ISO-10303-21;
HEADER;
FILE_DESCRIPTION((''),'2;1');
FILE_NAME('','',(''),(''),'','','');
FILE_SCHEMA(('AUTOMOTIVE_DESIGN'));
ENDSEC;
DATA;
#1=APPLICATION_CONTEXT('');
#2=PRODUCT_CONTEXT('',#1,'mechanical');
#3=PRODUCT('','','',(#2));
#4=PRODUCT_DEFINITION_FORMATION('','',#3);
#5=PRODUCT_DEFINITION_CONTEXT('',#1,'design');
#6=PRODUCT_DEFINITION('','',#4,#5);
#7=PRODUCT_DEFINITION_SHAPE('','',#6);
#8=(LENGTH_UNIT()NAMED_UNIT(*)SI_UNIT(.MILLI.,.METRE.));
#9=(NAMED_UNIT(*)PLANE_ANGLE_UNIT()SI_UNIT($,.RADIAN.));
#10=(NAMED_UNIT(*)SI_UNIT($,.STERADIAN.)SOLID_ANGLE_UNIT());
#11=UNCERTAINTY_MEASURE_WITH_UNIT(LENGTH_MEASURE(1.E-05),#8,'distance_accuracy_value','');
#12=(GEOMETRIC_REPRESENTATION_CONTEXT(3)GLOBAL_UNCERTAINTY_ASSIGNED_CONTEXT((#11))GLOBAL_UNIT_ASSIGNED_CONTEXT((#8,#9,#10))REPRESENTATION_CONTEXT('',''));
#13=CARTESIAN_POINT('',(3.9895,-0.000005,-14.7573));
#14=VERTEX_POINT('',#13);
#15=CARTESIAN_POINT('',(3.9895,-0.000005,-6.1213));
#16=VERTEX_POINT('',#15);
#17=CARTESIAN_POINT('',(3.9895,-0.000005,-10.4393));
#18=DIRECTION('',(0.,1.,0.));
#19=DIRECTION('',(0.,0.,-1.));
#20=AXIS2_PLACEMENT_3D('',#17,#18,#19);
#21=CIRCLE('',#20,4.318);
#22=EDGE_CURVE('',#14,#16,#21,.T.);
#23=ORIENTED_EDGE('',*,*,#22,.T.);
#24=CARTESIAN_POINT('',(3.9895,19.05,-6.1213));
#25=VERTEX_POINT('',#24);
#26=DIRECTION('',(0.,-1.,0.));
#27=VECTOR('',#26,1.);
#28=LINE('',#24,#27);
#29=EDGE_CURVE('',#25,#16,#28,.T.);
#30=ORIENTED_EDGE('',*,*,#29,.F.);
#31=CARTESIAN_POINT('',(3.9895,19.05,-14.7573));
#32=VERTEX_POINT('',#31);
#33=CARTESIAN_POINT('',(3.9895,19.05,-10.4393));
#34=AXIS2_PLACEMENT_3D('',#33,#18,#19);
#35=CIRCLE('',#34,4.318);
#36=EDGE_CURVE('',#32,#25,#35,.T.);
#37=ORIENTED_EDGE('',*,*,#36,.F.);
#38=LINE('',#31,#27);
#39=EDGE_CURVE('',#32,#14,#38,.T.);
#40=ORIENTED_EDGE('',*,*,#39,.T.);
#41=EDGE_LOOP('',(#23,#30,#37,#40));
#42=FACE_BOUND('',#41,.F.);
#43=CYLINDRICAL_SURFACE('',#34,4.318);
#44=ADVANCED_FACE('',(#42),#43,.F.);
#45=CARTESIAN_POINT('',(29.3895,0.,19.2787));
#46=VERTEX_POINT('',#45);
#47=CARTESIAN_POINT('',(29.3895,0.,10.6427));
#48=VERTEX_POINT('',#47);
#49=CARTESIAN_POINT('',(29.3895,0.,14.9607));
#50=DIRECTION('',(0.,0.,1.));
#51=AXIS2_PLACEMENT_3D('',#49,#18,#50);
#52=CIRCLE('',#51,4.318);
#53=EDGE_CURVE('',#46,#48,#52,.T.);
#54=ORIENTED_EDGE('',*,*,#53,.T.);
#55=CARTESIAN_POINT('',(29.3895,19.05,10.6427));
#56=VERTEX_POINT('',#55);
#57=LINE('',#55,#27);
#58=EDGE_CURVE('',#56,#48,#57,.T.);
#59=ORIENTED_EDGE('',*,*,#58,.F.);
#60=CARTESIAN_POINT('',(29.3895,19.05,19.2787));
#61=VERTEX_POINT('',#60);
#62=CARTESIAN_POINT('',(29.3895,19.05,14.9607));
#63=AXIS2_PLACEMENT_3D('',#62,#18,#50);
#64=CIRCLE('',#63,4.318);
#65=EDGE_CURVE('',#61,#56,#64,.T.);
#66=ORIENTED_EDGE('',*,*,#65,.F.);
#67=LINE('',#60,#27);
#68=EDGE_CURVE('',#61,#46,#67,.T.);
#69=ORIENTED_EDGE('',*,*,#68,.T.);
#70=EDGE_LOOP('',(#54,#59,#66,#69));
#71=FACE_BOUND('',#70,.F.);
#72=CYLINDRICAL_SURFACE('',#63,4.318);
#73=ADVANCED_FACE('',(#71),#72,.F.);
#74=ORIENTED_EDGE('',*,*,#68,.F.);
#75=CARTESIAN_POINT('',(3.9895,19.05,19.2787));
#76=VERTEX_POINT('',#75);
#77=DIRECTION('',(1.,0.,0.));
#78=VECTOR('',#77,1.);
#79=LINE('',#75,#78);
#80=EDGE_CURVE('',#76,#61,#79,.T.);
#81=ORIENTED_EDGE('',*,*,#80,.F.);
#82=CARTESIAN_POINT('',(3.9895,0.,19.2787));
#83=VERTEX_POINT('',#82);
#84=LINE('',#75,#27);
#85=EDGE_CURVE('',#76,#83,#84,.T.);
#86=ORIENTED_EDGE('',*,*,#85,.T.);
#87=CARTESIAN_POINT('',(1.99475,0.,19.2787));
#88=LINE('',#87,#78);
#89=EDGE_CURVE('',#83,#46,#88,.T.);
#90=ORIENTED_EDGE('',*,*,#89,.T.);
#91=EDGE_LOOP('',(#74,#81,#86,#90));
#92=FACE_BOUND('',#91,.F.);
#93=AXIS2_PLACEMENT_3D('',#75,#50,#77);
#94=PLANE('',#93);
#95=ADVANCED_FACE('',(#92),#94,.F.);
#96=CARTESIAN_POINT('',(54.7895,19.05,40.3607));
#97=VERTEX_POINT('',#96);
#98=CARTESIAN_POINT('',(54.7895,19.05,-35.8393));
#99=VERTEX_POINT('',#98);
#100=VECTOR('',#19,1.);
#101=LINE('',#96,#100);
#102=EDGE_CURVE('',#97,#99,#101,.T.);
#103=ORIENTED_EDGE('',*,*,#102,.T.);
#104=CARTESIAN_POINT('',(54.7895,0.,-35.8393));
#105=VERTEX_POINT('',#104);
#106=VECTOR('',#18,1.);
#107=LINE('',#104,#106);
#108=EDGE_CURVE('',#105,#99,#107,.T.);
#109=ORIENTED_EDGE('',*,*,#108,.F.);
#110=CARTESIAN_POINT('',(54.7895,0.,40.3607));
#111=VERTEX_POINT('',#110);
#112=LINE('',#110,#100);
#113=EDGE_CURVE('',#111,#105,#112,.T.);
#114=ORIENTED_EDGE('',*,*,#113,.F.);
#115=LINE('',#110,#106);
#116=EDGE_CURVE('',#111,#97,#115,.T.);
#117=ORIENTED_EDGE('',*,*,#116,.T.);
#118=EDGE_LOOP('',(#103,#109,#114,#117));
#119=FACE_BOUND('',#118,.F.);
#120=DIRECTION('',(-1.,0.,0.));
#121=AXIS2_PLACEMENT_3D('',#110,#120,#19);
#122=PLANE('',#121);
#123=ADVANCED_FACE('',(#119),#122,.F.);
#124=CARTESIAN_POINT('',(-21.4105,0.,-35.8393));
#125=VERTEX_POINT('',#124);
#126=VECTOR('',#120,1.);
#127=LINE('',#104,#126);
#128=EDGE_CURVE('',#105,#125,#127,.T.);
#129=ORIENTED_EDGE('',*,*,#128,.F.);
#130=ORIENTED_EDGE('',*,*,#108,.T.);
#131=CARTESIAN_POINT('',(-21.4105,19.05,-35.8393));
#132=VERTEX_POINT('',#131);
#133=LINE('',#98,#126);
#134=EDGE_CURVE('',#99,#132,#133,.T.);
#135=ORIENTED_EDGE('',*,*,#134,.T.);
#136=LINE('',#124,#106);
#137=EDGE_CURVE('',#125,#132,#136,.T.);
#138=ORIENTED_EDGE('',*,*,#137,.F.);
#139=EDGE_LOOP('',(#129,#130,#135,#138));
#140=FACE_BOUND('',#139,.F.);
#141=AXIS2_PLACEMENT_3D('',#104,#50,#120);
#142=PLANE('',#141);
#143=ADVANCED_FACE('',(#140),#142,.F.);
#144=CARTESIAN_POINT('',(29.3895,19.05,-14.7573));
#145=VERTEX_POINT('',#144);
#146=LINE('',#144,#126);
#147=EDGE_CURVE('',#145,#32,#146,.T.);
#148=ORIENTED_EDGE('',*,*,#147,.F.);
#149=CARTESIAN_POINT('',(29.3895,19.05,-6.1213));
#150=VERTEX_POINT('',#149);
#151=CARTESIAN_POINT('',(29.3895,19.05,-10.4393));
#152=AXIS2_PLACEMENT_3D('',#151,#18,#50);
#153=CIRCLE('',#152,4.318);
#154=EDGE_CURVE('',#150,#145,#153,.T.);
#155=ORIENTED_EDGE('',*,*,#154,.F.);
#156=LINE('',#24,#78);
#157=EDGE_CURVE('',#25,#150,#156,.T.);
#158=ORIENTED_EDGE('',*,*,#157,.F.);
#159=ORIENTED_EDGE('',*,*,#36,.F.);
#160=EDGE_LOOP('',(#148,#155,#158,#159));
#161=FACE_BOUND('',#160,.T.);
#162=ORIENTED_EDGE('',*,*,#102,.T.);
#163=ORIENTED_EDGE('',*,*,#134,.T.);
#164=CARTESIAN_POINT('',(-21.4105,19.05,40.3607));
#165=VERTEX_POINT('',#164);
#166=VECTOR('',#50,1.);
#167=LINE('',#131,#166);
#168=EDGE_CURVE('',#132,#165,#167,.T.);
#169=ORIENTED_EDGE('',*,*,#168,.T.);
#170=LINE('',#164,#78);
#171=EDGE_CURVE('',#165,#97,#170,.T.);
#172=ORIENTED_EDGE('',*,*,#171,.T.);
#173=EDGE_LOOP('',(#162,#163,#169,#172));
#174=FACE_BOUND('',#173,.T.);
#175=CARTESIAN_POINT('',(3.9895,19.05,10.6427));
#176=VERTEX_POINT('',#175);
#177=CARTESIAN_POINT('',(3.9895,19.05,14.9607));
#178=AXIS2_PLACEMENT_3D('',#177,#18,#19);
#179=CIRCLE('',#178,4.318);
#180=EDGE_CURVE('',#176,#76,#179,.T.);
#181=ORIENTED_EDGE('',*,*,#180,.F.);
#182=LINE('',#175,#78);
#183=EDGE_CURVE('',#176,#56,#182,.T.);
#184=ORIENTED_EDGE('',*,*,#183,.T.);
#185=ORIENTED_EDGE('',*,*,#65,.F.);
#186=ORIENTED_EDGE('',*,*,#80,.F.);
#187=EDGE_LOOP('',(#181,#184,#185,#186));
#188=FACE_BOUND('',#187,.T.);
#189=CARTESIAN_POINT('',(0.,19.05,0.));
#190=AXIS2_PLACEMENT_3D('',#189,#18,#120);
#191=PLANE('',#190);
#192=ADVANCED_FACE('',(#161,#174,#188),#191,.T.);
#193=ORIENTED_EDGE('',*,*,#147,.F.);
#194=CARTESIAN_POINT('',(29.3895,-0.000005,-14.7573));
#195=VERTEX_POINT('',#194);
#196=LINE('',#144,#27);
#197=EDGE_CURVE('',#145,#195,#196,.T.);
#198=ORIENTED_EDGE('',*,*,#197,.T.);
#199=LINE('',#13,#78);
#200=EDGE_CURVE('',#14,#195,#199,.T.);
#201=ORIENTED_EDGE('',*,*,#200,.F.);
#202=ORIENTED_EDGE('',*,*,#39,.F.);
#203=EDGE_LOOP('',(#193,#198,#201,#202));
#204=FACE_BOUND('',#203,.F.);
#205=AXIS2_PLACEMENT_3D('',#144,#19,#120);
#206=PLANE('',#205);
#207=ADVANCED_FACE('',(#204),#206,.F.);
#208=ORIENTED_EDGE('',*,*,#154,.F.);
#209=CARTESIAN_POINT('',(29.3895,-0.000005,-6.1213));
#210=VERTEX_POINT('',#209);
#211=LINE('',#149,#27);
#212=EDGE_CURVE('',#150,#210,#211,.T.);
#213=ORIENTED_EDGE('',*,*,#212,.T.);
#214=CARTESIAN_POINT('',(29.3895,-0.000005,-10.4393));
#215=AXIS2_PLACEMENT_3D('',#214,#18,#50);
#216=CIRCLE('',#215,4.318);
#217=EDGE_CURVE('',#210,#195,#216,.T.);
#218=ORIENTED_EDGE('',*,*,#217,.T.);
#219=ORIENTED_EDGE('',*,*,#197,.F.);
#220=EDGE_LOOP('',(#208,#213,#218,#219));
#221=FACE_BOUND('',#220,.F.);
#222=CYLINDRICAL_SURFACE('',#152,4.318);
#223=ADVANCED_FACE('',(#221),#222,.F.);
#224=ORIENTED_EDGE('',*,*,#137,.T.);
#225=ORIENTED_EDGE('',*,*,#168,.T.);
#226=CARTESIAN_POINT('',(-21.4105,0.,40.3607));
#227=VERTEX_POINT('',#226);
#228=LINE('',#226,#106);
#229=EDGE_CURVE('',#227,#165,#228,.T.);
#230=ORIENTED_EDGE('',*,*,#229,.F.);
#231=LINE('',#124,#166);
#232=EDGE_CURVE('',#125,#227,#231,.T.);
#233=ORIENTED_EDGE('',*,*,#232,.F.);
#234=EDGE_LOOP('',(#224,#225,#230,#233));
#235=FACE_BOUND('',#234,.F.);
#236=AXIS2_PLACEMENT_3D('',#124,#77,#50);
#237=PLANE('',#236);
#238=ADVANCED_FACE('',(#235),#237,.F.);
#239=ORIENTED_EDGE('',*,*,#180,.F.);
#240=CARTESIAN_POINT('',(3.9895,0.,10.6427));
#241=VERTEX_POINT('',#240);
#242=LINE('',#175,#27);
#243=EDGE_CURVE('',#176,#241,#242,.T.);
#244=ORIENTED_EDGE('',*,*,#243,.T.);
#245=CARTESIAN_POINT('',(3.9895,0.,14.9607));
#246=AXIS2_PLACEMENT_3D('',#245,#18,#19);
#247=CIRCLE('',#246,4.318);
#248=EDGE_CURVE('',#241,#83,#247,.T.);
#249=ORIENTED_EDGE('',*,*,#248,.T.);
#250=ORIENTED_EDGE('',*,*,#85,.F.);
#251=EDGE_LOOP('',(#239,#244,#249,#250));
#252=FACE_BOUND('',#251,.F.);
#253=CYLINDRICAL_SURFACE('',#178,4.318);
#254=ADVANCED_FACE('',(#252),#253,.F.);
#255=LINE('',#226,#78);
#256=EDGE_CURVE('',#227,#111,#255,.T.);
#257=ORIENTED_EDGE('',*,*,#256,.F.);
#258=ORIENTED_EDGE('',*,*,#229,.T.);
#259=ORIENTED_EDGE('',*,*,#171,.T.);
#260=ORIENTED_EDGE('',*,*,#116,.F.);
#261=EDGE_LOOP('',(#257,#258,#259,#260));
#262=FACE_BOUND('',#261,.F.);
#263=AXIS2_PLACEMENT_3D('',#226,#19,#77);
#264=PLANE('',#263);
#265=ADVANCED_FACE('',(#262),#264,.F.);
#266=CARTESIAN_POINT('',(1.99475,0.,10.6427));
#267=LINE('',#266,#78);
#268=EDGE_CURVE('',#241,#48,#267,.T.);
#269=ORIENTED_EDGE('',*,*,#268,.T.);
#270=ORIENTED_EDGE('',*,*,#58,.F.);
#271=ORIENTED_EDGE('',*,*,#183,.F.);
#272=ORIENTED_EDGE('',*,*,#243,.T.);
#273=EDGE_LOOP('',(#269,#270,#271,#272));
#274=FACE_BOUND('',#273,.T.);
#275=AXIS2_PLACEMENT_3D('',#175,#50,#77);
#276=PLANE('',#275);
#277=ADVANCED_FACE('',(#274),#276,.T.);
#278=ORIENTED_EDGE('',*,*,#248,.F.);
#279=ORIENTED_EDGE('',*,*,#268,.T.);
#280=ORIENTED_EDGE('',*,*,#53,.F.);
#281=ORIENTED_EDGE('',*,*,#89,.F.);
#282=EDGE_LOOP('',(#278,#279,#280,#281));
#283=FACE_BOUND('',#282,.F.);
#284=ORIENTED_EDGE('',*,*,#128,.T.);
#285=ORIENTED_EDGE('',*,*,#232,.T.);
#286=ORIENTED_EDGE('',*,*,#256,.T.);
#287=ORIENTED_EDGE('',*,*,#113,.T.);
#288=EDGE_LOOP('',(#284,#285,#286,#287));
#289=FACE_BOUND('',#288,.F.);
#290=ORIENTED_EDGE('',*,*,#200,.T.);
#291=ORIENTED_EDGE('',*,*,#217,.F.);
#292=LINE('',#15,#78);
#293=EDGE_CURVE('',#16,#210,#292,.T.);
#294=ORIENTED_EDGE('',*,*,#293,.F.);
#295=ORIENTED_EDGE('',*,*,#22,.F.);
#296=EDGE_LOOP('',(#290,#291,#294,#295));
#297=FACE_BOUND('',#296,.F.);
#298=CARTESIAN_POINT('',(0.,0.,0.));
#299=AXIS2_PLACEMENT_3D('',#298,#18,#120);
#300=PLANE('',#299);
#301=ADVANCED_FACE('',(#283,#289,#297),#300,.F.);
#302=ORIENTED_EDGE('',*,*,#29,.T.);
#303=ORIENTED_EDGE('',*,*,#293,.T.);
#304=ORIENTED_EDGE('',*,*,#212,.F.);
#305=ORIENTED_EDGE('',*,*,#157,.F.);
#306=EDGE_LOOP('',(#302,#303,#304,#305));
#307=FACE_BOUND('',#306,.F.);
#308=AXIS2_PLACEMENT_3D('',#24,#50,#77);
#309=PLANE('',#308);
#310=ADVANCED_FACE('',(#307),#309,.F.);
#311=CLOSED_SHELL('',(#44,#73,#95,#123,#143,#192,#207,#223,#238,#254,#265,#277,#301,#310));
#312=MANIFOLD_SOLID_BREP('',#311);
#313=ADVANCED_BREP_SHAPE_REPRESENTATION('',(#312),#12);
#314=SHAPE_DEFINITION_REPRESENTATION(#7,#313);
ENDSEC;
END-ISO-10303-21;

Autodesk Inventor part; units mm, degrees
ref_plane "YZ Plane" through (0, 0, 0) normal (1, 0, 0) x (0, 1, 0)
ref_plane "XZ Plane" through (0, 0, 0) normal (0, 1, 0) x (-1, 0, 0)
ref_plane "XY Plane" through (0, 0, 0) normal (0, 0, 1) x (1, 0, 0)
sketch "Sketch1" plane through (0, 0, 0) normal (0, 1, 0) x (-1, 0, 0)
  line L0 (21.4105, 40.3607) -> (-54.7895, 40.3607)
  line L1 (-54.7895, 40.3607) -> (-54.7895, -35.8393)
  line L2 (-54.7895, -35.8393) -> (21.4105, -35.8393)
  line L3 (21.4105, -35.8393) -> (21.4105, 40.3607)
  point P0 (0, 0)
  dimension "d0" = 76.2
  dimension "d1" = 76.2
extrude "Extrusion1" add sketch "Sketch1" along normal blind 19.05
sketch "Sketch2" plane through (0, 19.05, 0) normal (0, 1, 0) x (1, 0, 0)
  arc A0 (3.9895, -10.6427) -> (3.9895, -19.2787) centre (3.9895, -14.9607) ccw
  line L0 (-21.4105, 35.8393) -> (-21.4105, -40.3607) projected
  line L1 (-21.4105, -40.3607) -> (54.7895, -40.3607) projected
  arc A1 (29.3895, -19.2787) -> (29.3895, -10.6427) centre (29.3895, -14.9607) ccw
  line L2 (54.7895, -40.3607) -> (54.7895, 35.8393) projected
  line L3 (3.9895, -19.2787) -> (29.3895, -19.2787)
  line L4 (3.9895, -10.6427) -> (29.3895, -10.6427)
  point P0 (0, 0)
  dimension "d4" = 8.636
  dimension "d5" = 25.4
  dimension "d6" = 25.4
  dimension "d7" = 8.636
  dimension "d8" = 25.4
  dimension "d9" = 25.4
extrude "Extrusion2" cut sketch "Sketch2" against normal through all
sketch "Sketch3" plane through (0, 19.05, 0) normal (0, 1, 0) x (1, 0, 0)
  arc A0 (3.9895, 14.7573) -> (3.9895, 6.1213) centre (3.9895, 10.4393) ccw
  line L0 (-21.4105, 35.8393) -> (-21.4105, -40.3607) projected
  line L1 (54.7895, 35.8393) -> (-21.4105, 35.8393) projected
  arc A1 (29.3895, 6.1213) -> (29.3895, 14.7573) centre (29.3895, 10.4393) ccw
  line L2 (54.7895, -40.3607) -> (54.7895, 35.8393) projected
  line L3 (3.9895, 6.1213) -> (29.3895, 6.1213)
  line L4 (3.9895, 14.7573) -> (29.3895, 14.7573)
  point P0 (0, 0)
  dimension "d12" = 8.636
  dimension "d13" = 25.4
  dimension "d14" = 25.4
  dimension "d15" = 8.636
  dimension "d16" = 25.4
  dimension "d17" = 25.4
extrude "Extrusion3" add sketch "Sketch3" against normal through all
sketch "Sketch4" plane through (0, 19.05, 0) normal (0, 1, 0) x (1, 0, 0)
  arc A0 (3.9895, 14.7573) -> (3.9895, 6.1213) centre (3.9895, 10.4393) ccw
  line L0 (54.7895, 35.8393) -> (-21.4105, 35.8393) projected
  line L1 (-21.4105, 35.8393) -> (-21.4105, -40.3607) projected
  arc A1 (29.3895, 6.1213) -> (29.3895, 14.7573) centre (29.3895, 10.4393) ccw
  line L2 (54.7895, -40.3607) -> (54.7895, 35.8393) projected
  line L3 (3.9895, 6.1213) -> (29.3895, 6.1213)
  line L4 (29.3895, 14.7573) -> (3.9895, 14.7573)
  point P0 (0, 0)
  dimension "d20" = 8.636
  dimension "d21" = 25.4
  dimension "d22" = 25.4
  dimension "d23" = 8.636
  dimension "d24" = 25.4
  dimension "d25" = 25.4
extrude "Extrusion4" cut sketch "Sketch4" against normal blind 19.05
properties part number "slotted riser 1"
